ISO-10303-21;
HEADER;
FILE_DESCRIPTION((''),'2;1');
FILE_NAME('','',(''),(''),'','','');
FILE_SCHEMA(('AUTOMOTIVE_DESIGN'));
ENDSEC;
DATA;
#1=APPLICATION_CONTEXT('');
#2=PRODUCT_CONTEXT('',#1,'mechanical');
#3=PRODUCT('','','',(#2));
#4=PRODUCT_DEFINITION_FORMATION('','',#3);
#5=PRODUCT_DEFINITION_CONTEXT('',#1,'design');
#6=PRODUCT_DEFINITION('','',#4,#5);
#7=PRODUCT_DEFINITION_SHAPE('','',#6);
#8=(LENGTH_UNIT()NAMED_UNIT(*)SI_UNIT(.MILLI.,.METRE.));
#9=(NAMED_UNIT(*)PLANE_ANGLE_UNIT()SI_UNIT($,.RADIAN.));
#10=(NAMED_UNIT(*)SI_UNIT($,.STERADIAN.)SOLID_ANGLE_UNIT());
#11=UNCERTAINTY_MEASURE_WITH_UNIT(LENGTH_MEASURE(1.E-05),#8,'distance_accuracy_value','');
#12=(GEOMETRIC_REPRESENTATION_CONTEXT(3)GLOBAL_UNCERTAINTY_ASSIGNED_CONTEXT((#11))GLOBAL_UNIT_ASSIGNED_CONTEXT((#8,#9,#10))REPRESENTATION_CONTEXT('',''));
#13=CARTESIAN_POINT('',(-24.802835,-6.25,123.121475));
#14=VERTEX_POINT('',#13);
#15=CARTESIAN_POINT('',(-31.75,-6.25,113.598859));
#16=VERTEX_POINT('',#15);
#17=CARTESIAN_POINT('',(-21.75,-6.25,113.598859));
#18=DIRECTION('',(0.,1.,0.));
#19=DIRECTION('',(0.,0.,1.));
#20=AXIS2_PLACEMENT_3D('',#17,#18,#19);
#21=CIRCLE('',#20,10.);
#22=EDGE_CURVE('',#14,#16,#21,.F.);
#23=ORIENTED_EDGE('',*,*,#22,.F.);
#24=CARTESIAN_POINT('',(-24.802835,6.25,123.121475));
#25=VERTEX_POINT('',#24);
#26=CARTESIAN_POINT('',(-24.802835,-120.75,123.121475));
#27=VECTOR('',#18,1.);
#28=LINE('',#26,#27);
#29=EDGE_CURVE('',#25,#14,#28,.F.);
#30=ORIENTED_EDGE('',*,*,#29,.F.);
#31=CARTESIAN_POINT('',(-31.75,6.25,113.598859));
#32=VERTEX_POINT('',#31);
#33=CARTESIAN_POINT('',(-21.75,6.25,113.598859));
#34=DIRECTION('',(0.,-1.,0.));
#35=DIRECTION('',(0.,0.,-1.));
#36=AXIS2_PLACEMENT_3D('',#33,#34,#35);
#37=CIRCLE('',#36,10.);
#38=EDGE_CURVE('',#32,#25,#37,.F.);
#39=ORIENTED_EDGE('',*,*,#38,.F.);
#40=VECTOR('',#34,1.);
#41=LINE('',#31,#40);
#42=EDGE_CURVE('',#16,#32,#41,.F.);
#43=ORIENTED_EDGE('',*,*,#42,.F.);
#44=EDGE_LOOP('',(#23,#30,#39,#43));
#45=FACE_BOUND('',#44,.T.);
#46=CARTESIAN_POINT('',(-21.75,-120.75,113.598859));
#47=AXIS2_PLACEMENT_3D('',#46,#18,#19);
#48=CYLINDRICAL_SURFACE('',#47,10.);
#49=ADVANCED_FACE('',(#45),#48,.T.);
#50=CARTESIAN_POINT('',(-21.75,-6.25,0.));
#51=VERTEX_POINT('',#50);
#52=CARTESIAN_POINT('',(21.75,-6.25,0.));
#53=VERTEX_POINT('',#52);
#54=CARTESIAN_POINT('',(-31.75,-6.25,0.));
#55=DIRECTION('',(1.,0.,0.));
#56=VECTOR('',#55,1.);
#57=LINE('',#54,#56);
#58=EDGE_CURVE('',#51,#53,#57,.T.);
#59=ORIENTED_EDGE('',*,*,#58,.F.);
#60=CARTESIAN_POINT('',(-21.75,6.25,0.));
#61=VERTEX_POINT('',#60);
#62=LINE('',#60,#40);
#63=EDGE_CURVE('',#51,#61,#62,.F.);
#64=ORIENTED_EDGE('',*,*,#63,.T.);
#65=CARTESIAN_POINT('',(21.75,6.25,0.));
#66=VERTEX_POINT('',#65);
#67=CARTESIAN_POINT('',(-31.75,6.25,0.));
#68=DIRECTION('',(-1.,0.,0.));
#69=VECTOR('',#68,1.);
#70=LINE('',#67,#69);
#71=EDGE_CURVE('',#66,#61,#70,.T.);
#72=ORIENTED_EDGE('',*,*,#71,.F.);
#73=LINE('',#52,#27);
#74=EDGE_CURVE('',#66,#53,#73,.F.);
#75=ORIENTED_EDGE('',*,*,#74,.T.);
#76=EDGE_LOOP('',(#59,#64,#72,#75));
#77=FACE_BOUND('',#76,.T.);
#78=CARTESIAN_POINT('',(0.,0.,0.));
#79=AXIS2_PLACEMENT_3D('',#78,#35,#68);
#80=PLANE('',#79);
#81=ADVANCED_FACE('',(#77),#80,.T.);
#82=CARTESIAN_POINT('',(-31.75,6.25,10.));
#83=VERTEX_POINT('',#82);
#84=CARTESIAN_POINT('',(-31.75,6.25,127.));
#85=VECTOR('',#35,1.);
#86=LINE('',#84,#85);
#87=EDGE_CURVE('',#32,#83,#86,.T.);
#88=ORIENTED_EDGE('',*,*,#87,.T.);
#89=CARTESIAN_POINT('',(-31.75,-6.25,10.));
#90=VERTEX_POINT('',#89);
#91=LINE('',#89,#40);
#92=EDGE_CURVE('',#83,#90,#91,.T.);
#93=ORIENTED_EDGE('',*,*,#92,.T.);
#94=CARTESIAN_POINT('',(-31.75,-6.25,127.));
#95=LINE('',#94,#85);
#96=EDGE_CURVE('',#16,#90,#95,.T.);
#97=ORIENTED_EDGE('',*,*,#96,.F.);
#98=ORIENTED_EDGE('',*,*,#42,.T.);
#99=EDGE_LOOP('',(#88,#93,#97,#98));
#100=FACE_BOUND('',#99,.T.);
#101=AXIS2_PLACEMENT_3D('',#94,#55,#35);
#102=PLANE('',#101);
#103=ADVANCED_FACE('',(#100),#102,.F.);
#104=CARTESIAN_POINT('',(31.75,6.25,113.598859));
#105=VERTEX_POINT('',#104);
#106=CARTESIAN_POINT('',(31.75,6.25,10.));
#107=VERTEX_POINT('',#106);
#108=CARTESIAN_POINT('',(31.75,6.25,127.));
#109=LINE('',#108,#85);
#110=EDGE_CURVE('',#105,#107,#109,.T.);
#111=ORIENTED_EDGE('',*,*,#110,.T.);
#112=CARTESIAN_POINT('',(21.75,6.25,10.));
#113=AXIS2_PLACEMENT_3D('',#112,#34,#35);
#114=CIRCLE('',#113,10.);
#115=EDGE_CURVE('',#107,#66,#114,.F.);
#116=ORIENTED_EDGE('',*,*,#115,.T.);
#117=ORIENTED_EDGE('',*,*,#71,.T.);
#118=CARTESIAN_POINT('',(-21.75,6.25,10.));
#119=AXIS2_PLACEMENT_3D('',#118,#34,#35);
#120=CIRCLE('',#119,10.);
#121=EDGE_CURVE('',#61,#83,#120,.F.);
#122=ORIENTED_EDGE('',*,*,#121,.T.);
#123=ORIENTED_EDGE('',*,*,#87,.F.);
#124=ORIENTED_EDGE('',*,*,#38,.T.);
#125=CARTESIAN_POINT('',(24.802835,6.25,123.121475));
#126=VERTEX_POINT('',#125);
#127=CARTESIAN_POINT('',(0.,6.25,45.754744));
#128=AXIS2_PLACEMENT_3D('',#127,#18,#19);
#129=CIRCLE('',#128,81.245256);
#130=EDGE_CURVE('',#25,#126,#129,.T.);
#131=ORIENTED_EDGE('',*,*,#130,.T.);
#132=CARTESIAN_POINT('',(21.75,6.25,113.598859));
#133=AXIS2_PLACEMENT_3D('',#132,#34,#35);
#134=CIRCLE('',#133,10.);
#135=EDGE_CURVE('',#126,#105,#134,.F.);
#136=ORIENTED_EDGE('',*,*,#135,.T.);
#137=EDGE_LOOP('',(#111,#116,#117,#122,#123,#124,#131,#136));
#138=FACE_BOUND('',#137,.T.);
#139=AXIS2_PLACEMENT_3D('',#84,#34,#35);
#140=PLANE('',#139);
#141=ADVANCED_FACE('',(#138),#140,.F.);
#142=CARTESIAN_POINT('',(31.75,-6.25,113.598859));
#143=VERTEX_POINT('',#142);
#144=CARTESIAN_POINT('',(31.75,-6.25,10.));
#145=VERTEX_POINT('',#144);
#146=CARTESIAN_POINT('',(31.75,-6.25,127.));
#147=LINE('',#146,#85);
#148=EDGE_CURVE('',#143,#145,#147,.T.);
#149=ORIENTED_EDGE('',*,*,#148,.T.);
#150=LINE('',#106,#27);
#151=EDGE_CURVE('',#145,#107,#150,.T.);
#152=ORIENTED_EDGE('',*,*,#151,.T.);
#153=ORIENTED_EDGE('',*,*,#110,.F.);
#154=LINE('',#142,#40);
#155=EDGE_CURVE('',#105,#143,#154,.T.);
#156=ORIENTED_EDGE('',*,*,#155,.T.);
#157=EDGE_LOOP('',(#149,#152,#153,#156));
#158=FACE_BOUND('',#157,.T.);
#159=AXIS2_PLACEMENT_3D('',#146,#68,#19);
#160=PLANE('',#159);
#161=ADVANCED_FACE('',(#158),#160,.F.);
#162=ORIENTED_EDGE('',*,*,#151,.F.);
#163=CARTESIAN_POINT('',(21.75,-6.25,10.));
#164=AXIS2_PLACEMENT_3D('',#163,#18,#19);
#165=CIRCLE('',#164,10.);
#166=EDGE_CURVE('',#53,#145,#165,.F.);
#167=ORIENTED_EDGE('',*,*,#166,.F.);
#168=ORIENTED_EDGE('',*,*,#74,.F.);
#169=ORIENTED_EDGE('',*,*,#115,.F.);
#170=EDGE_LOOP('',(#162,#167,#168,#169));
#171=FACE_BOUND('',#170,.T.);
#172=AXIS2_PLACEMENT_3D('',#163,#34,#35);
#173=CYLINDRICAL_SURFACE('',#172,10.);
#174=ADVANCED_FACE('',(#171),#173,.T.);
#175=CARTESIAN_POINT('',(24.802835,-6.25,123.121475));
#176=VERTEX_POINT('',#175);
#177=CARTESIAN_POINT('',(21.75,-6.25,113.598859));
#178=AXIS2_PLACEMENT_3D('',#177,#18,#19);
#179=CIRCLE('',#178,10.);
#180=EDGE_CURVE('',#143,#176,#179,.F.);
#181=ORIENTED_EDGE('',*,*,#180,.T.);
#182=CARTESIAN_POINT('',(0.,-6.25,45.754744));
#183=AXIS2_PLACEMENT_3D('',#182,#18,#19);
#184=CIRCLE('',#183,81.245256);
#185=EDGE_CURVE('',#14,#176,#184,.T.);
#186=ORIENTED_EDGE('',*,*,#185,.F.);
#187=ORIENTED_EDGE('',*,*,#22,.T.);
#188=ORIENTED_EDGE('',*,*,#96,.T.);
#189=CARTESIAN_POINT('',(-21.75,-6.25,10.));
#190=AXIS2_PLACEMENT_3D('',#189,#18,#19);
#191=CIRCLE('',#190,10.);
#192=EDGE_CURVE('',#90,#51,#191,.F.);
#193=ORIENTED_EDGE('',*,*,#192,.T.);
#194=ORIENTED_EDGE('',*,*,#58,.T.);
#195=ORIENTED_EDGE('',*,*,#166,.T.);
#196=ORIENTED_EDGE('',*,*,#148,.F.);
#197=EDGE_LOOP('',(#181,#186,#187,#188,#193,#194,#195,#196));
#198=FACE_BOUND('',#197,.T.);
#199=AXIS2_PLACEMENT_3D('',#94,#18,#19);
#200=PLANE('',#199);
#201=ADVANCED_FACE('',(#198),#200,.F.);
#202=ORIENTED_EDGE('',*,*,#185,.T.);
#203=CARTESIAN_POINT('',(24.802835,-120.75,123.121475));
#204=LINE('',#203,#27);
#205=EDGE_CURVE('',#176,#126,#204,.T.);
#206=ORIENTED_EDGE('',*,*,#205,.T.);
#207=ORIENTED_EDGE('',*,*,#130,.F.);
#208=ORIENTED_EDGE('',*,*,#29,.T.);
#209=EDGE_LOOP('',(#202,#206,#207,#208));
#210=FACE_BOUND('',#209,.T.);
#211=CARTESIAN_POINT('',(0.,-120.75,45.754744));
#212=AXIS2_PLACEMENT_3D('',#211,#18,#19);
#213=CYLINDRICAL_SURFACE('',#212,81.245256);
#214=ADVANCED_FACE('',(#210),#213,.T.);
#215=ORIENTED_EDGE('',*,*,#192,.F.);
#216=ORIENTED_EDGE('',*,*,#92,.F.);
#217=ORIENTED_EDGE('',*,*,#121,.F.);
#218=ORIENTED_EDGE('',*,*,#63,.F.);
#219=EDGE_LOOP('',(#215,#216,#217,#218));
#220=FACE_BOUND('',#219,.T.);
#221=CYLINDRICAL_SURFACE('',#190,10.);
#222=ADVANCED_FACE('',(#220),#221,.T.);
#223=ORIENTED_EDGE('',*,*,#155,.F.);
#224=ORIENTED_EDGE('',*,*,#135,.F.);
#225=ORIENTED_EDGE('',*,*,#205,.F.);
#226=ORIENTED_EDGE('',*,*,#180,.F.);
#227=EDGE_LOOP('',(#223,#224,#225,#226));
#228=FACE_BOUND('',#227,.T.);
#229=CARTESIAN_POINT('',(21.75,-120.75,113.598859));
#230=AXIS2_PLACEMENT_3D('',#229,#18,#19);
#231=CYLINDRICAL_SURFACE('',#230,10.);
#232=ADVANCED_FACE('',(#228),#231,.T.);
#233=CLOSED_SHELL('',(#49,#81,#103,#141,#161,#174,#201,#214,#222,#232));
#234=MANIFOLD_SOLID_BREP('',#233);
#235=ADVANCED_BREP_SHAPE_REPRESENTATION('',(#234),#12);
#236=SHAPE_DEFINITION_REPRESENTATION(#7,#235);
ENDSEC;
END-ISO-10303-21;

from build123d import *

# Parameters (mm, degrees)
CROQUIS1_W              = 63.5
CROQUIS1_H              = 12.5
SALIENTE_EXTRUIR1_DEPTH = 127
CORTAR_EXTRUIR1_DEPTH   = 127
REDONDEO1_R             = 10


with BuildPart() as part:
    # Croquis1 → Saliente-Extruir1 (new body)
    with BuildSketch(Plane.XY):
        Rectangle(CROQUIS1_W, CROQUIS1_H)
    extrude(amount=SALIENTE_EXTRUIR1_DEPTH)

    # Croquis2 → Cortar-Extruir1 (cut)
    with BuildSketch(Plane(origin=(0, 6.25, 0), x_dir=(1, 0, 0), z_dir=(0, 1, 0))):
        with BuildLine():
            ThreePointArc((0, -127), (-16.200333365, -125.368441446), (-31.75, -120.539295353))
            Line((-31.75, -120.539295353), (-31.75, -127))
            Line((-31.75, -127), (0, -127))
        make_face()
        with BuildLine():
            ThreePointArc((31.75, -120.539295353), (16.200333365, -125.368441446), (0, -127))
            Line((0, -127), (31.75, -127))
            Line((31.75, -127), (31.75, -120.539295353))
        make_face()
    extrude(amount=-CORTAR_EXTRUIR1_DEPTH, mode=Mode.SUBTRACT)

    # Redondeo1
    redondeo1_edges = [part.edges().sort_by_distance(p)[0] for p in [
        (-31.75, 0, 120.539295353),
        (31.75, 0, 120.539295353),
        (-31.75, 0, 0),
        (31.75, 0, 0),
    ]]
    fillet(redondeo1_edges, radius=REDONDEO1_R)


solid = part.part
